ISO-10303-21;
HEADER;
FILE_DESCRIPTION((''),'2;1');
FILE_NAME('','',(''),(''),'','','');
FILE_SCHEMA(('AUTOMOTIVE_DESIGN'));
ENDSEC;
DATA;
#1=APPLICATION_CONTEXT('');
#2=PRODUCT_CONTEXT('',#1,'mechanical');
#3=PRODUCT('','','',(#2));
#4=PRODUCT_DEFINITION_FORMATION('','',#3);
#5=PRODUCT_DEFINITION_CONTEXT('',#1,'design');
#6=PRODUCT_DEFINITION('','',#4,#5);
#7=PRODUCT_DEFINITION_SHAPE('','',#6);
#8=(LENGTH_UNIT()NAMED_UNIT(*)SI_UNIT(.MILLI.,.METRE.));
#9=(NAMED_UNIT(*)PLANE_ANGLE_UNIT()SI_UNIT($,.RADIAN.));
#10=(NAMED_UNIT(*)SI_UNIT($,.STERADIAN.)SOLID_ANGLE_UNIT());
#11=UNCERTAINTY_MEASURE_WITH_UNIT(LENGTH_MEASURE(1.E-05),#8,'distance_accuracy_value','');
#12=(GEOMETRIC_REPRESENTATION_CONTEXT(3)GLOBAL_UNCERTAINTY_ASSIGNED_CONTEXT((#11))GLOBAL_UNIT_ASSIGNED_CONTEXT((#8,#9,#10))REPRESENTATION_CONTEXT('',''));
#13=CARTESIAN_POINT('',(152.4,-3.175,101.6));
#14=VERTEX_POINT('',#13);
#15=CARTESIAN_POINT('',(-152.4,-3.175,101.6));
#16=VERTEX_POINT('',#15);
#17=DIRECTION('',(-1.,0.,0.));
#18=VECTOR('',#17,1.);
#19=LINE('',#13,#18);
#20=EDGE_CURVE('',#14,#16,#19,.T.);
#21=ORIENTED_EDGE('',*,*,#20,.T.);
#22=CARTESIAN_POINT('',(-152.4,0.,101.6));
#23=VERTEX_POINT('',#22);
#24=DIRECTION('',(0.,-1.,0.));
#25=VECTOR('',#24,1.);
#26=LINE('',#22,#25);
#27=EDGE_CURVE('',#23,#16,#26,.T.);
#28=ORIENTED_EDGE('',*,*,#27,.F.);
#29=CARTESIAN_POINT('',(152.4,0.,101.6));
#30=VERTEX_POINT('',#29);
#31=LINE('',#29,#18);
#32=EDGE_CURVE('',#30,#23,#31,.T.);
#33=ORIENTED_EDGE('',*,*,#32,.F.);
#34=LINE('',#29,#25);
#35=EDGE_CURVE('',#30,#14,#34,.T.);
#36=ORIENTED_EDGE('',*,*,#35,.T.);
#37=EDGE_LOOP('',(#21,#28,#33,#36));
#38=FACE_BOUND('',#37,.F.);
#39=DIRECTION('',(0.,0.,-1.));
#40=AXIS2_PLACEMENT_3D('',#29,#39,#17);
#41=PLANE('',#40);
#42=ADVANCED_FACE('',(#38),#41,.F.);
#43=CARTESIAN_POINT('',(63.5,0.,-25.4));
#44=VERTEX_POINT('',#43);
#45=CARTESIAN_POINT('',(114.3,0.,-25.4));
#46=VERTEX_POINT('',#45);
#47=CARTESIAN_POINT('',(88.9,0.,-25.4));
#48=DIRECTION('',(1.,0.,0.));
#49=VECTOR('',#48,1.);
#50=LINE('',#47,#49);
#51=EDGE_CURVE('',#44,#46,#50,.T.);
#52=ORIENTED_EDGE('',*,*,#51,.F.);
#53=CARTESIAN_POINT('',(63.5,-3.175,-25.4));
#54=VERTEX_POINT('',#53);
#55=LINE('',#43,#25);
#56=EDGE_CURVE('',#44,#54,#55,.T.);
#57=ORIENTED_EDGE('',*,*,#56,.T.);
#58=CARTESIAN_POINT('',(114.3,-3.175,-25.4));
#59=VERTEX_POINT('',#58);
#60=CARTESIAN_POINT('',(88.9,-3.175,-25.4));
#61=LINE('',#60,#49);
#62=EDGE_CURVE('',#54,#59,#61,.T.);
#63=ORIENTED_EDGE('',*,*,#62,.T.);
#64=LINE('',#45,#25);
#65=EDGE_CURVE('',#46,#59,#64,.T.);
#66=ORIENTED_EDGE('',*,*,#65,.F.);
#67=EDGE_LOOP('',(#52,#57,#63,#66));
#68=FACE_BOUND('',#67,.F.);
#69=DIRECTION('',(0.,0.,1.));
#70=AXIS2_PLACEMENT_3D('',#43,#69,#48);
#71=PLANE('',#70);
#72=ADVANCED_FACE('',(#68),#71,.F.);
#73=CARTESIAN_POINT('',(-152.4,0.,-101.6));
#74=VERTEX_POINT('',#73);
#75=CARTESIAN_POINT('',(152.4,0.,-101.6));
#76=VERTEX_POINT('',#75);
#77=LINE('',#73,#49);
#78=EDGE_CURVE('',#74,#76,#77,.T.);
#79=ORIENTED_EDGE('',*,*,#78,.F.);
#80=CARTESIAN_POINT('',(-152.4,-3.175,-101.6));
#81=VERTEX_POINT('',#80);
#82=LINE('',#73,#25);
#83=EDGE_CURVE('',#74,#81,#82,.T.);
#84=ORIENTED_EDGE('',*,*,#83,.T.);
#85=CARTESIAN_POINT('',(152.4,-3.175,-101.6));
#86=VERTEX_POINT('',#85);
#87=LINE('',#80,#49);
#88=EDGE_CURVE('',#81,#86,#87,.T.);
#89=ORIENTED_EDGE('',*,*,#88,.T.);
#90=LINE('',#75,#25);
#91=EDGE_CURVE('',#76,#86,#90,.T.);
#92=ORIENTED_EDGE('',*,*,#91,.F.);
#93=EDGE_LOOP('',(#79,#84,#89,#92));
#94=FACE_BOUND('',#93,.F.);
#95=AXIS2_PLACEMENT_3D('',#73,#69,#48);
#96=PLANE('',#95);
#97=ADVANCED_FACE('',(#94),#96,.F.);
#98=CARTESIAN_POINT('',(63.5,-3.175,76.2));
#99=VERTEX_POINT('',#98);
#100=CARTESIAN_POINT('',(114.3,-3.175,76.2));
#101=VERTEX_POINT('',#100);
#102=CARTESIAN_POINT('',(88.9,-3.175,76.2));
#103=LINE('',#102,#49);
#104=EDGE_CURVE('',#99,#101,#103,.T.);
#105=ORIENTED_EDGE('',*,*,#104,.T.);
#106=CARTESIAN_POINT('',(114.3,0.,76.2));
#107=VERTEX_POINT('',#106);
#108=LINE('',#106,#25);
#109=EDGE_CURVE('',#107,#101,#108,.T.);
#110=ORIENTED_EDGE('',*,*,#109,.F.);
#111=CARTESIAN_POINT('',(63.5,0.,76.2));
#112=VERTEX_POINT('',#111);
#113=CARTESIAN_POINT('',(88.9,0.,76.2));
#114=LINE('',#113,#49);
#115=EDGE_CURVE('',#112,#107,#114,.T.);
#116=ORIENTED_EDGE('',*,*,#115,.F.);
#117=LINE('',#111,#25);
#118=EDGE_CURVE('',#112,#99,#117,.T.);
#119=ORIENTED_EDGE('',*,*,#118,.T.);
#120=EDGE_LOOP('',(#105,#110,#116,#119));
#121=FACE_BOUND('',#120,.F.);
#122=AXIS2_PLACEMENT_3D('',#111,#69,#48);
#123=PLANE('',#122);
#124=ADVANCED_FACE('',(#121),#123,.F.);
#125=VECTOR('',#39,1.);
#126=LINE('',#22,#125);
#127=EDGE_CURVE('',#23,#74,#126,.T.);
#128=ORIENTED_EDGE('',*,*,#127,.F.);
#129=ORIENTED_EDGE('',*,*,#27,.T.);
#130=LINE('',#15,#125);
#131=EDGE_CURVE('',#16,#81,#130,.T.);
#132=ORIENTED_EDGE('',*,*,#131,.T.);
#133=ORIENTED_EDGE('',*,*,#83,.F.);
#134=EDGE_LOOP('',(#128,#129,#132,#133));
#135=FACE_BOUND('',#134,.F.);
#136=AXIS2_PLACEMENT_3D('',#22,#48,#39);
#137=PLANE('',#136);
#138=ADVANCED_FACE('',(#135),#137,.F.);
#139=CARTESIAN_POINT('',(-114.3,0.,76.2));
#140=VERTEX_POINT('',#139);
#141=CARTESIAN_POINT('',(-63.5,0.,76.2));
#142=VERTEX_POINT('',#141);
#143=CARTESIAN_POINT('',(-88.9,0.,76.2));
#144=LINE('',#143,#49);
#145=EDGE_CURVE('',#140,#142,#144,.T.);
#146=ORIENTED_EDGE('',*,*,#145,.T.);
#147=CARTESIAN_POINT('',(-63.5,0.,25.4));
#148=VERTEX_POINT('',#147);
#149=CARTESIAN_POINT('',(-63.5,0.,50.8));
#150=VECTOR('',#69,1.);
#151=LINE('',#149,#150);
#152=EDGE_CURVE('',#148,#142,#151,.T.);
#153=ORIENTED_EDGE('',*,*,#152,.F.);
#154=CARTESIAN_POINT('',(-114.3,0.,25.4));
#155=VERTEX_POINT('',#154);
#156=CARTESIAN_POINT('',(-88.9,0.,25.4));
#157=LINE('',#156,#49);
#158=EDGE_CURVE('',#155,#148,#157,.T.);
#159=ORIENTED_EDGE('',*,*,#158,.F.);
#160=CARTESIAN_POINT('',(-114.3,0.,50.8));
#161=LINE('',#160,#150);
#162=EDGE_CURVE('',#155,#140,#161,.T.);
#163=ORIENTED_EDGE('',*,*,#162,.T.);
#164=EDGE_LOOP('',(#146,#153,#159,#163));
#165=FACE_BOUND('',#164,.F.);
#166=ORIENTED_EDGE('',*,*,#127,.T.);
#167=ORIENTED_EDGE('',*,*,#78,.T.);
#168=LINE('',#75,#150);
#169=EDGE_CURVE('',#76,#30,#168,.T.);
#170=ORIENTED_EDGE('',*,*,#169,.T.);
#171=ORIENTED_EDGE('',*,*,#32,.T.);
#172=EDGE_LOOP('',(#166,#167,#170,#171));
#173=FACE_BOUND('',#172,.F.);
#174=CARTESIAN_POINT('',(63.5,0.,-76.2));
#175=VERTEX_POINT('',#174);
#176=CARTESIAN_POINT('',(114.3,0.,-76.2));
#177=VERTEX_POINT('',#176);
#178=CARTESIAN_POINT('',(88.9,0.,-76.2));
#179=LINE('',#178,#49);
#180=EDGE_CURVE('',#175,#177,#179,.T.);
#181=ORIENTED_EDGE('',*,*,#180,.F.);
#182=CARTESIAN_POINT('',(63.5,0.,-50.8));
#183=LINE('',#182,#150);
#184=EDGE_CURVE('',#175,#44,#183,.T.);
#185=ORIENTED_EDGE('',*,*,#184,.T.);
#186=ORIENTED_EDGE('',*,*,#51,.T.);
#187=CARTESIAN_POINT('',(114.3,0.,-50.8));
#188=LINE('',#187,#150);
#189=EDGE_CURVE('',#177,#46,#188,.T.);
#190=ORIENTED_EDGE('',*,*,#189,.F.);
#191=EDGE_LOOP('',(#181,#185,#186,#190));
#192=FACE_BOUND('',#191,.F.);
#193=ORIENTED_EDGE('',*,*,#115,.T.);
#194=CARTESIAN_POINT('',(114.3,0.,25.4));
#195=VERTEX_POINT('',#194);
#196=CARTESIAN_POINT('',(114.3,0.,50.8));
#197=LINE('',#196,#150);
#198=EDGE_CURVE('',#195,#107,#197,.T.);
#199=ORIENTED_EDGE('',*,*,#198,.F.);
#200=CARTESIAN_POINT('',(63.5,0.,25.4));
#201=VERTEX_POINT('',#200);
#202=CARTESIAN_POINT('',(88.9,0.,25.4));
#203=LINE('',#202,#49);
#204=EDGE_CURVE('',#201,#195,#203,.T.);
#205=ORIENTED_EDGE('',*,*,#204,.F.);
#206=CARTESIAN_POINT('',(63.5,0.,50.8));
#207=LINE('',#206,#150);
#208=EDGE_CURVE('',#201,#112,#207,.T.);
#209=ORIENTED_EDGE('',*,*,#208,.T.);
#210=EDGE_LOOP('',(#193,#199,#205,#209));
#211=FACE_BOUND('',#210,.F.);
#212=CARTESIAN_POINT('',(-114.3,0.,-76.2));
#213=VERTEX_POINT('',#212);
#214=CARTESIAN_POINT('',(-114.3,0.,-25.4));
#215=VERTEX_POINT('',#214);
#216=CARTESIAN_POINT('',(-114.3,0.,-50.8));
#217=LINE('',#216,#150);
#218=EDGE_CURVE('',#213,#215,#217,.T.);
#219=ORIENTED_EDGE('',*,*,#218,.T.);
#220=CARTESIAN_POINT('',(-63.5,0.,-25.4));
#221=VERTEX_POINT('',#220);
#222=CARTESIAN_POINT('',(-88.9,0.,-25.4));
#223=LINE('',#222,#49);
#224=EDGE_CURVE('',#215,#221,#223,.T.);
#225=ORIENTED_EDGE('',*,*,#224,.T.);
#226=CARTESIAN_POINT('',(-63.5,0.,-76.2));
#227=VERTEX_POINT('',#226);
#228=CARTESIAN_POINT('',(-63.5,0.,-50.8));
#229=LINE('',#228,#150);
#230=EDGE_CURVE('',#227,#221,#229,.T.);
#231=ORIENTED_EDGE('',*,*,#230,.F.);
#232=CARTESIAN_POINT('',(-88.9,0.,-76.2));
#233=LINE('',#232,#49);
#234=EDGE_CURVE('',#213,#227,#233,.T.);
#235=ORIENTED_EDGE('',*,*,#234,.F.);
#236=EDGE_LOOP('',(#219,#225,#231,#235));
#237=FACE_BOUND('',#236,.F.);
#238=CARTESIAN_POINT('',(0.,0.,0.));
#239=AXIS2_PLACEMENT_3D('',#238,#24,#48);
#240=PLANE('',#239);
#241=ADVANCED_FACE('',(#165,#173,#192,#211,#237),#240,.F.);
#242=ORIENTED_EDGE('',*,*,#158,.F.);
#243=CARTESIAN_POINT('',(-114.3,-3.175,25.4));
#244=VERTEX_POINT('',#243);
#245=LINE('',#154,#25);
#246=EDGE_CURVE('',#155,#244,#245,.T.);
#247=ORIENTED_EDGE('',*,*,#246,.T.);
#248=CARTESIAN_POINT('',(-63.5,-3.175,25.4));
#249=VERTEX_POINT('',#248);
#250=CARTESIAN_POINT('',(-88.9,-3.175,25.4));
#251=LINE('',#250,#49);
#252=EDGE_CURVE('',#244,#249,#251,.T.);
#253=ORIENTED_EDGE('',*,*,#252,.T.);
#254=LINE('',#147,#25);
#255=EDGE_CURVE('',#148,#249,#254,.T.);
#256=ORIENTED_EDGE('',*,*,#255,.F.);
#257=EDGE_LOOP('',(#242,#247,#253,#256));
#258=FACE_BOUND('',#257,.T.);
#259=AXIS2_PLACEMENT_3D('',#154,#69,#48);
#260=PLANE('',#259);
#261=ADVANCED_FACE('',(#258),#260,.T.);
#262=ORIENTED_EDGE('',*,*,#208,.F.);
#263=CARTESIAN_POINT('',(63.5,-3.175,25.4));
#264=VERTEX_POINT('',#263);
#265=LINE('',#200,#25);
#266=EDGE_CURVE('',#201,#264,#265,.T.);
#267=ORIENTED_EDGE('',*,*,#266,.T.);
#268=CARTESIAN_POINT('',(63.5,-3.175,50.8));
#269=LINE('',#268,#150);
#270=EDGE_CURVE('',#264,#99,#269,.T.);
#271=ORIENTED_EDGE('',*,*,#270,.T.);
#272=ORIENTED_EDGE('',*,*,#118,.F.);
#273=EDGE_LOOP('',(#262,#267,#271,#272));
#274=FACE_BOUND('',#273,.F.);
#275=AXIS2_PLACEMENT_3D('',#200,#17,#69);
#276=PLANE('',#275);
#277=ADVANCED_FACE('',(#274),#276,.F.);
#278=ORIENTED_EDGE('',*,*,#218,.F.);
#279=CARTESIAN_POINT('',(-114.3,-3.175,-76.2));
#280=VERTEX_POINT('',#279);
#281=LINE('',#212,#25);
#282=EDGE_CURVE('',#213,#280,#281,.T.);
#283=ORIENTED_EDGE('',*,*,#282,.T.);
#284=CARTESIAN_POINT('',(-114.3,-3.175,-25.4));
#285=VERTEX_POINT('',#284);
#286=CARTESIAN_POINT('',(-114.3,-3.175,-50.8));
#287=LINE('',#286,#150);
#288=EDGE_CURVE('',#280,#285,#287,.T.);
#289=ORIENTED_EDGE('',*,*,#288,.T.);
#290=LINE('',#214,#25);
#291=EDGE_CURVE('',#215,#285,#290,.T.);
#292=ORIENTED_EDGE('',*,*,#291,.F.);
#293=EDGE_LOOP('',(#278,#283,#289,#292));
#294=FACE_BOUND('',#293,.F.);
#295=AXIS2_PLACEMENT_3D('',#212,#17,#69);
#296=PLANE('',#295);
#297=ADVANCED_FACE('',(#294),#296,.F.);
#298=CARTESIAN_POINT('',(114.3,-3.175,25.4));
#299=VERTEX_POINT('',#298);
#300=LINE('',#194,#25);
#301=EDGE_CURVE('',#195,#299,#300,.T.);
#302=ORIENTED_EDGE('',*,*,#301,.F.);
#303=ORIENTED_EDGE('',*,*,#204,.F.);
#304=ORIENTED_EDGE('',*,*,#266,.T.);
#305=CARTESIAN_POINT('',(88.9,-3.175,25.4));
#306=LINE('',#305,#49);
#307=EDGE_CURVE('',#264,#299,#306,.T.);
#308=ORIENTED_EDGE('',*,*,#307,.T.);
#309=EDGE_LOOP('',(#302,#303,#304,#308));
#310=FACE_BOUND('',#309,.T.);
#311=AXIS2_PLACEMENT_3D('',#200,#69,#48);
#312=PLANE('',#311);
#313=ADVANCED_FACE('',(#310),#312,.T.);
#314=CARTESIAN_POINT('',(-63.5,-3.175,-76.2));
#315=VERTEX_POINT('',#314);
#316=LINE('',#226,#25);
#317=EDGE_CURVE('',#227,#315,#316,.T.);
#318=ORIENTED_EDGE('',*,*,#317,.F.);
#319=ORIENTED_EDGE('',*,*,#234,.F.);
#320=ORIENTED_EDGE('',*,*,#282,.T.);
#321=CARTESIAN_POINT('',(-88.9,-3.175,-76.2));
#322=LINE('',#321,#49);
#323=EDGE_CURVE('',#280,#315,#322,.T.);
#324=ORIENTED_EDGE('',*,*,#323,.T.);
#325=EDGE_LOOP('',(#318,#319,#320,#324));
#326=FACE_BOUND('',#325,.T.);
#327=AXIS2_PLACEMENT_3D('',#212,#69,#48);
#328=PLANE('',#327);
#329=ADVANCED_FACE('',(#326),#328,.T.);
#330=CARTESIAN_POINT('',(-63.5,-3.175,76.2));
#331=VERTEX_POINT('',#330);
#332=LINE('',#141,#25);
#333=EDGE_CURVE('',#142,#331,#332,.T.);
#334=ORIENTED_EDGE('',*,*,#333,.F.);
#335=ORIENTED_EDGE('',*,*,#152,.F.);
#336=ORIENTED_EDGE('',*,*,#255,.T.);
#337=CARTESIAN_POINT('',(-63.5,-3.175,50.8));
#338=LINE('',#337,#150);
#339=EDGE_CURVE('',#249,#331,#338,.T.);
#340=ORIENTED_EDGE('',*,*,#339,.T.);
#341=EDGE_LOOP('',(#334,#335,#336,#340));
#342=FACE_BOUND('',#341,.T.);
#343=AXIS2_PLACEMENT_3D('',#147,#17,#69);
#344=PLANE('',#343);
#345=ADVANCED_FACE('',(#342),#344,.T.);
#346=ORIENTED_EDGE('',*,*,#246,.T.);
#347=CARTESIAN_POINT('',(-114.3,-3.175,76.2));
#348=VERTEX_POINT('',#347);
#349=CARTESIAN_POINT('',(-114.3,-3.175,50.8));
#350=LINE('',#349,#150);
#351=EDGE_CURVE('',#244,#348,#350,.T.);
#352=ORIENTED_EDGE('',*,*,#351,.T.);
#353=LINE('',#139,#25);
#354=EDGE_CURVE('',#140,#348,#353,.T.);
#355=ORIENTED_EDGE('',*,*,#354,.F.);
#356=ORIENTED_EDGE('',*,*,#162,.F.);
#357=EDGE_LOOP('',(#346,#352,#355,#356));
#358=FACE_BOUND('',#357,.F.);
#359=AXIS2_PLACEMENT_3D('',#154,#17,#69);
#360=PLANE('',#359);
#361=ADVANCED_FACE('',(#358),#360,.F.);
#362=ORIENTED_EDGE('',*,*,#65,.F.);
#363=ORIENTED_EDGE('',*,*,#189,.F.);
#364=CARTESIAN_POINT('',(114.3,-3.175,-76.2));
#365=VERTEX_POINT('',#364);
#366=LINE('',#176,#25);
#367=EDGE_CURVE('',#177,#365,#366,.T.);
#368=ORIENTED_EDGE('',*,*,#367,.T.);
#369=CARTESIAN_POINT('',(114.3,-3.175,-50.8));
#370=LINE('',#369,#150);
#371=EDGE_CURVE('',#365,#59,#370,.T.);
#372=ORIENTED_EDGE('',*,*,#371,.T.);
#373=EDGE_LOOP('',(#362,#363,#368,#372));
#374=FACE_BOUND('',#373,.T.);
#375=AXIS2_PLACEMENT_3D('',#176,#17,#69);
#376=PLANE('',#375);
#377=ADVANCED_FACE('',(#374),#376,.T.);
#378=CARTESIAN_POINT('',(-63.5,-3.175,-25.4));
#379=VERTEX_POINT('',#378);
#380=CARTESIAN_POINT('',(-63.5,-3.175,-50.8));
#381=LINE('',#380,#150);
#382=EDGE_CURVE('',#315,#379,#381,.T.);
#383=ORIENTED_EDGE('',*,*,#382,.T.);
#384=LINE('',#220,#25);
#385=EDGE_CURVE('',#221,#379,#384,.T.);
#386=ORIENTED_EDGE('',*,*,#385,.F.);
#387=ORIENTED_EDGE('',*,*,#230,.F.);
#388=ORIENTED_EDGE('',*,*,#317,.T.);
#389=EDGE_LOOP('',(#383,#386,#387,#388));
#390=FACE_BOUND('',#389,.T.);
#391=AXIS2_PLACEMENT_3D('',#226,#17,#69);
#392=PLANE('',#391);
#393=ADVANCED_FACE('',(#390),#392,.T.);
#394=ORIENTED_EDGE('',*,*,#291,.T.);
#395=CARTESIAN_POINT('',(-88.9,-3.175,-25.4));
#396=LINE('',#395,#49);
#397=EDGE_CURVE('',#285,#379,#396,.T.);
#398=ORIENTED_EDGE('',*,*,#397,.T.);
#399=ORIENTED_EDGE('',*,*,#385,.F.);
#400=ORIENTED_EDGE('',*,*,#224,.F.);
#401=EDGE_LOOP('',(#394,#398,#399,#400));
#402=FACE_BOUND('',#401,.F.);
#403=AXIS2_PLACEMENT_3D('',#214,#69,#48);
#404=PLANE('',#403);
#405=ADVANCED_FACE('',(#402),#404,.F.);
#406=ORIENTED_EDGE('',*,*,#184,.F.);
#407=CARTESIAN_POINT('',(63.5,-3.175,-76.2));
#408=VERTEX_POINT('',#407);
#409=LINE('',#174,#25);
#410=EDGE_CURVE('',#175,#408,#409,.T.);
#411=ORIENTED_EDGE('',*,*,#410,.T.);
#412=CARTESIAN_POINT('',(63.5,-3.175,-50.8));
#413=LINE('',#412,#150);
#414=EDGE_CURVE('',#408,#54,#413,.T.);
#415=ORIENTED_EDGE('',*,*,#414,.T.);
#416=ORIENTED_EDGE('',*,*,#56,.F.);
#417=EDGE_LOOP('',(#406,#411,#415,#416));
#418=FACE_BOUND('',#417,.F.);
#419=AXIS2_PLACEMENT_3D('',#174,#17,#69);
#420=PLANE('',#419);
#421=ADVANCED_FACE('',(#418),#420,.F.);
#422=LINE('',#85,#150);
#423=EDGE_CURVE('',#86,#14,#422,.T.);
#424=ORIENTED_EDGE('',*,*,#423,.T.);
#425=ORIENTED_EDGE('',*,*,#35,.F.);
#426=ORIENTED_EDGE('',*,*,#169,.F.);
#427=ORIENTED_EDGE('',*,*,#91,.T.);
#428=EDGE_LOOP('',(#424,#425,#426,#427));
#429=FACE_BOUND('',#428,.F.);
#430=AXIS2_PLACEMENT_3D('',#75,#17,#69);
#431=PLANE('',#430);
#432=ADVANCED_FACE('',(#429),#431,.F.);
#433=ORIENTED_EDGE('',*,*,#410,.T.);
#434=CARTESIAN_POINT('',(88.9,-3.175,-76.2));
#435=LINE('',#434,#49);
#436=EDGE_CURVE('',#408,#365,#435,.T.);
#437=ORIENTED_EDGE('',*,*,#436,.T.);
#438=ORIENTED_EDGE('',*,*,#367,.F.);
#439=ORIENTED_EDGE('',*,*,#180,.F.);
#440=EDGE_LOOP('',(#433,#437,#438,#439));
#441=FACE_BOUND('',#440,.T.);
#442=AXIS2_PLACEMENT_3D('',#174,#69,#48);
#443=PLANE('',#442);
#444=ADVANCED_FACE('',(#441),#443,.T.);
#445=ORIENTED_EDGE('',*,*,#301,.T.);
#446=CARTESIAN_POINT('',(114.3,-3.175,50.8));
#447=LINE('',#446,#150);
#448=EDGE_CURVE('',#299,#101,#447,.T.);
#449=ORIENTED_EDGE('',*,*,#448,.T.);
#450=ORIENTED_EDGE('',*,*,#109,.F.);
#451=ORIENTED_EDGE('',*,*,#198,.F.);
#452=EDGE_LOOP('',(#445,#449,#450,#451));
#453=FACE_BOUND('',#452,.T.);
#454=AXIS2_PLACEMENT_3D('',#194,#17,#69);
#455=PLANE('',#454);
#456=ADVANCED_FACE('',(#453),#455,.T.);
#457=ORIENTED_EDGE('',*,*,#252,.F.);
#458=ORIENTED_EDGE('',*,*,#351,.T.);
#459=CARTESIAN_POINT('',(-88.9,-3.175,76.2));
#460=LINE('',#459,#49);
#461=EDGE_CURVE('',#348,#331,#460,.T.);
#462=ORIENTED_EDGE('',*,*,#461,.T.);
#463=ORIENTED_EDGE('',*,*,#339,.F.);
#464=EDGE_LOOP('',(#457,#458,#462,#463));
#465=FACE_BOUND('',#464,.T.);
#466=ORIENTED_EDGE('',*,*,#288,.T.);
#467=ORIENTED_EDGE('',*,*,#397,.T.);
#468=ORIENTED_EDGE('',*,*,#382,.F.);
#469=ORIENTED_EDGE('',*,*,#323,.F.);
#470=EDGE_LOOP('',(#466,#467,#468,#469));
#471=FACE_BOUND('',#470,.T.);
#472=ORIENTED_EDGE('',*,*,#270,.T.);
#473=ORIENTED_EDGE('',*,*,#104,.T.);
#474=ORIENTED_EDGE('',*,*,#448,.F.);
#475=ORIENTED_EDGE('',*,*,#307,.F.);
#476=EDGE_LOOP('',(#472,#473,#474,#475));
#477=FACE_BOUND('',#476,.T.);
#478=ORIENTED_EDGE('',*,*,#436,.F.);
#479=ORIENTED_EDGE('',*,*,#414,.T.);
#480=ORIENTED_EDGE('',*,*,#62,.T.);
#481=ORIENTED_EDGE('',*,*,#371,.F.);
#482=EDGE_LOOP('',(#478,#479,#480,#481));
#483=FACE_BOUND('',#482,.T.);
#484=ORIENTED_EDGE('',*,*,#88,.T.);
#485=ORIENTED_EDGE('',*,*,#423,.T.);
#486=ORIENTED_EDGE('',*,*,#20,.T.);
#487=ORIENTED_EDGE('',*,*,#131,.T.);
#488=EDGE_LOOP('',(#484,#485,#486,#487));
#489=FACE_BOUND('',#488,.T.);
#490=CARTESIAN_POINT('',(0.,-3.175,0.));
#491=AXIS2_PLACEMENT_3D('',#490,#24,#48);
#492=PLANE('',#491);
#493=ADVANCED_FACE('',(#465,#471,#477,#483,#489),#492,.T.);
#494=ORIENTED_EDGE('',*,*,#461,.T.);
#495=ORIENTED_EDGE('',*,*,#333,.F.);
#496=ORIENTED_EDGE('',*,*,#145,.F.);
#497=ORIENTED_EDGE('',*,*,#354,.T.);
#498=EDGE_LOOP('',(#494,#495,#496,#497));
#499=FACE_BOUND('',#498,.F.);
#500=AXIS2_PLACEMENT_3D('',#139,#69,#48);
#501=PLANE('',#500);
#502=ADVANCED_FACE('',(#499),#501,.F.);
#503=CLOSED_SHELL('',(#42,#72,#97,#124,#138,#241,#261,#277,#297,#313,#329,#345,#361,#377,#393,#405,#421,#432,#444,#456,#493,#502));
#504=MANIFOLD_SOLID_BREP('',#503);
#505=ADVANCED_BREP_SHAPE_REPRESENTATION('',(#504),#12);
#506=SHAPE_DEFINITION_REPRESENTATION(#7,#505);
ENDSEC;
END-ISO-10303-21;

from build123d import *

# Parameters (mm, degrees)
F0_W     = 50.8
F0_H     = 50.8
F1_DEPTH = 3.175


with BuildPart() as f1:
    # F0 (on Front) → F1 (new body)
    with BuildSketch(Plane.XZ):
        Polygon((152.4, 0), (152.4, 101.6), (0, 101.6), (-152.4, 101.6), (-152.4, 0), (-152.4, -101.6), (0, -101.6), (152.4, -101.6), align=None)
        with Locations((-88.9, -50.8)):
            Rectangle(F0_W, F0_H, mode=Mode.SUBTRACT)
        with Locations((88.9, -50.8)):
            Rectangle(F0_W, F0_H, mode=Mode.SUBTRACT)
        with Locations((-88.9, 50.8)):
            Rectangle(F0_W, F0_H, mode=Mode.SUBTRACT)
        with Locations((88.9, 50.8)):
            Rectangle(F0_W, F0_H, mode=Mode.SUBTRACT)
    extrude(amount=F1_DEPTH)


solid = f1.part
